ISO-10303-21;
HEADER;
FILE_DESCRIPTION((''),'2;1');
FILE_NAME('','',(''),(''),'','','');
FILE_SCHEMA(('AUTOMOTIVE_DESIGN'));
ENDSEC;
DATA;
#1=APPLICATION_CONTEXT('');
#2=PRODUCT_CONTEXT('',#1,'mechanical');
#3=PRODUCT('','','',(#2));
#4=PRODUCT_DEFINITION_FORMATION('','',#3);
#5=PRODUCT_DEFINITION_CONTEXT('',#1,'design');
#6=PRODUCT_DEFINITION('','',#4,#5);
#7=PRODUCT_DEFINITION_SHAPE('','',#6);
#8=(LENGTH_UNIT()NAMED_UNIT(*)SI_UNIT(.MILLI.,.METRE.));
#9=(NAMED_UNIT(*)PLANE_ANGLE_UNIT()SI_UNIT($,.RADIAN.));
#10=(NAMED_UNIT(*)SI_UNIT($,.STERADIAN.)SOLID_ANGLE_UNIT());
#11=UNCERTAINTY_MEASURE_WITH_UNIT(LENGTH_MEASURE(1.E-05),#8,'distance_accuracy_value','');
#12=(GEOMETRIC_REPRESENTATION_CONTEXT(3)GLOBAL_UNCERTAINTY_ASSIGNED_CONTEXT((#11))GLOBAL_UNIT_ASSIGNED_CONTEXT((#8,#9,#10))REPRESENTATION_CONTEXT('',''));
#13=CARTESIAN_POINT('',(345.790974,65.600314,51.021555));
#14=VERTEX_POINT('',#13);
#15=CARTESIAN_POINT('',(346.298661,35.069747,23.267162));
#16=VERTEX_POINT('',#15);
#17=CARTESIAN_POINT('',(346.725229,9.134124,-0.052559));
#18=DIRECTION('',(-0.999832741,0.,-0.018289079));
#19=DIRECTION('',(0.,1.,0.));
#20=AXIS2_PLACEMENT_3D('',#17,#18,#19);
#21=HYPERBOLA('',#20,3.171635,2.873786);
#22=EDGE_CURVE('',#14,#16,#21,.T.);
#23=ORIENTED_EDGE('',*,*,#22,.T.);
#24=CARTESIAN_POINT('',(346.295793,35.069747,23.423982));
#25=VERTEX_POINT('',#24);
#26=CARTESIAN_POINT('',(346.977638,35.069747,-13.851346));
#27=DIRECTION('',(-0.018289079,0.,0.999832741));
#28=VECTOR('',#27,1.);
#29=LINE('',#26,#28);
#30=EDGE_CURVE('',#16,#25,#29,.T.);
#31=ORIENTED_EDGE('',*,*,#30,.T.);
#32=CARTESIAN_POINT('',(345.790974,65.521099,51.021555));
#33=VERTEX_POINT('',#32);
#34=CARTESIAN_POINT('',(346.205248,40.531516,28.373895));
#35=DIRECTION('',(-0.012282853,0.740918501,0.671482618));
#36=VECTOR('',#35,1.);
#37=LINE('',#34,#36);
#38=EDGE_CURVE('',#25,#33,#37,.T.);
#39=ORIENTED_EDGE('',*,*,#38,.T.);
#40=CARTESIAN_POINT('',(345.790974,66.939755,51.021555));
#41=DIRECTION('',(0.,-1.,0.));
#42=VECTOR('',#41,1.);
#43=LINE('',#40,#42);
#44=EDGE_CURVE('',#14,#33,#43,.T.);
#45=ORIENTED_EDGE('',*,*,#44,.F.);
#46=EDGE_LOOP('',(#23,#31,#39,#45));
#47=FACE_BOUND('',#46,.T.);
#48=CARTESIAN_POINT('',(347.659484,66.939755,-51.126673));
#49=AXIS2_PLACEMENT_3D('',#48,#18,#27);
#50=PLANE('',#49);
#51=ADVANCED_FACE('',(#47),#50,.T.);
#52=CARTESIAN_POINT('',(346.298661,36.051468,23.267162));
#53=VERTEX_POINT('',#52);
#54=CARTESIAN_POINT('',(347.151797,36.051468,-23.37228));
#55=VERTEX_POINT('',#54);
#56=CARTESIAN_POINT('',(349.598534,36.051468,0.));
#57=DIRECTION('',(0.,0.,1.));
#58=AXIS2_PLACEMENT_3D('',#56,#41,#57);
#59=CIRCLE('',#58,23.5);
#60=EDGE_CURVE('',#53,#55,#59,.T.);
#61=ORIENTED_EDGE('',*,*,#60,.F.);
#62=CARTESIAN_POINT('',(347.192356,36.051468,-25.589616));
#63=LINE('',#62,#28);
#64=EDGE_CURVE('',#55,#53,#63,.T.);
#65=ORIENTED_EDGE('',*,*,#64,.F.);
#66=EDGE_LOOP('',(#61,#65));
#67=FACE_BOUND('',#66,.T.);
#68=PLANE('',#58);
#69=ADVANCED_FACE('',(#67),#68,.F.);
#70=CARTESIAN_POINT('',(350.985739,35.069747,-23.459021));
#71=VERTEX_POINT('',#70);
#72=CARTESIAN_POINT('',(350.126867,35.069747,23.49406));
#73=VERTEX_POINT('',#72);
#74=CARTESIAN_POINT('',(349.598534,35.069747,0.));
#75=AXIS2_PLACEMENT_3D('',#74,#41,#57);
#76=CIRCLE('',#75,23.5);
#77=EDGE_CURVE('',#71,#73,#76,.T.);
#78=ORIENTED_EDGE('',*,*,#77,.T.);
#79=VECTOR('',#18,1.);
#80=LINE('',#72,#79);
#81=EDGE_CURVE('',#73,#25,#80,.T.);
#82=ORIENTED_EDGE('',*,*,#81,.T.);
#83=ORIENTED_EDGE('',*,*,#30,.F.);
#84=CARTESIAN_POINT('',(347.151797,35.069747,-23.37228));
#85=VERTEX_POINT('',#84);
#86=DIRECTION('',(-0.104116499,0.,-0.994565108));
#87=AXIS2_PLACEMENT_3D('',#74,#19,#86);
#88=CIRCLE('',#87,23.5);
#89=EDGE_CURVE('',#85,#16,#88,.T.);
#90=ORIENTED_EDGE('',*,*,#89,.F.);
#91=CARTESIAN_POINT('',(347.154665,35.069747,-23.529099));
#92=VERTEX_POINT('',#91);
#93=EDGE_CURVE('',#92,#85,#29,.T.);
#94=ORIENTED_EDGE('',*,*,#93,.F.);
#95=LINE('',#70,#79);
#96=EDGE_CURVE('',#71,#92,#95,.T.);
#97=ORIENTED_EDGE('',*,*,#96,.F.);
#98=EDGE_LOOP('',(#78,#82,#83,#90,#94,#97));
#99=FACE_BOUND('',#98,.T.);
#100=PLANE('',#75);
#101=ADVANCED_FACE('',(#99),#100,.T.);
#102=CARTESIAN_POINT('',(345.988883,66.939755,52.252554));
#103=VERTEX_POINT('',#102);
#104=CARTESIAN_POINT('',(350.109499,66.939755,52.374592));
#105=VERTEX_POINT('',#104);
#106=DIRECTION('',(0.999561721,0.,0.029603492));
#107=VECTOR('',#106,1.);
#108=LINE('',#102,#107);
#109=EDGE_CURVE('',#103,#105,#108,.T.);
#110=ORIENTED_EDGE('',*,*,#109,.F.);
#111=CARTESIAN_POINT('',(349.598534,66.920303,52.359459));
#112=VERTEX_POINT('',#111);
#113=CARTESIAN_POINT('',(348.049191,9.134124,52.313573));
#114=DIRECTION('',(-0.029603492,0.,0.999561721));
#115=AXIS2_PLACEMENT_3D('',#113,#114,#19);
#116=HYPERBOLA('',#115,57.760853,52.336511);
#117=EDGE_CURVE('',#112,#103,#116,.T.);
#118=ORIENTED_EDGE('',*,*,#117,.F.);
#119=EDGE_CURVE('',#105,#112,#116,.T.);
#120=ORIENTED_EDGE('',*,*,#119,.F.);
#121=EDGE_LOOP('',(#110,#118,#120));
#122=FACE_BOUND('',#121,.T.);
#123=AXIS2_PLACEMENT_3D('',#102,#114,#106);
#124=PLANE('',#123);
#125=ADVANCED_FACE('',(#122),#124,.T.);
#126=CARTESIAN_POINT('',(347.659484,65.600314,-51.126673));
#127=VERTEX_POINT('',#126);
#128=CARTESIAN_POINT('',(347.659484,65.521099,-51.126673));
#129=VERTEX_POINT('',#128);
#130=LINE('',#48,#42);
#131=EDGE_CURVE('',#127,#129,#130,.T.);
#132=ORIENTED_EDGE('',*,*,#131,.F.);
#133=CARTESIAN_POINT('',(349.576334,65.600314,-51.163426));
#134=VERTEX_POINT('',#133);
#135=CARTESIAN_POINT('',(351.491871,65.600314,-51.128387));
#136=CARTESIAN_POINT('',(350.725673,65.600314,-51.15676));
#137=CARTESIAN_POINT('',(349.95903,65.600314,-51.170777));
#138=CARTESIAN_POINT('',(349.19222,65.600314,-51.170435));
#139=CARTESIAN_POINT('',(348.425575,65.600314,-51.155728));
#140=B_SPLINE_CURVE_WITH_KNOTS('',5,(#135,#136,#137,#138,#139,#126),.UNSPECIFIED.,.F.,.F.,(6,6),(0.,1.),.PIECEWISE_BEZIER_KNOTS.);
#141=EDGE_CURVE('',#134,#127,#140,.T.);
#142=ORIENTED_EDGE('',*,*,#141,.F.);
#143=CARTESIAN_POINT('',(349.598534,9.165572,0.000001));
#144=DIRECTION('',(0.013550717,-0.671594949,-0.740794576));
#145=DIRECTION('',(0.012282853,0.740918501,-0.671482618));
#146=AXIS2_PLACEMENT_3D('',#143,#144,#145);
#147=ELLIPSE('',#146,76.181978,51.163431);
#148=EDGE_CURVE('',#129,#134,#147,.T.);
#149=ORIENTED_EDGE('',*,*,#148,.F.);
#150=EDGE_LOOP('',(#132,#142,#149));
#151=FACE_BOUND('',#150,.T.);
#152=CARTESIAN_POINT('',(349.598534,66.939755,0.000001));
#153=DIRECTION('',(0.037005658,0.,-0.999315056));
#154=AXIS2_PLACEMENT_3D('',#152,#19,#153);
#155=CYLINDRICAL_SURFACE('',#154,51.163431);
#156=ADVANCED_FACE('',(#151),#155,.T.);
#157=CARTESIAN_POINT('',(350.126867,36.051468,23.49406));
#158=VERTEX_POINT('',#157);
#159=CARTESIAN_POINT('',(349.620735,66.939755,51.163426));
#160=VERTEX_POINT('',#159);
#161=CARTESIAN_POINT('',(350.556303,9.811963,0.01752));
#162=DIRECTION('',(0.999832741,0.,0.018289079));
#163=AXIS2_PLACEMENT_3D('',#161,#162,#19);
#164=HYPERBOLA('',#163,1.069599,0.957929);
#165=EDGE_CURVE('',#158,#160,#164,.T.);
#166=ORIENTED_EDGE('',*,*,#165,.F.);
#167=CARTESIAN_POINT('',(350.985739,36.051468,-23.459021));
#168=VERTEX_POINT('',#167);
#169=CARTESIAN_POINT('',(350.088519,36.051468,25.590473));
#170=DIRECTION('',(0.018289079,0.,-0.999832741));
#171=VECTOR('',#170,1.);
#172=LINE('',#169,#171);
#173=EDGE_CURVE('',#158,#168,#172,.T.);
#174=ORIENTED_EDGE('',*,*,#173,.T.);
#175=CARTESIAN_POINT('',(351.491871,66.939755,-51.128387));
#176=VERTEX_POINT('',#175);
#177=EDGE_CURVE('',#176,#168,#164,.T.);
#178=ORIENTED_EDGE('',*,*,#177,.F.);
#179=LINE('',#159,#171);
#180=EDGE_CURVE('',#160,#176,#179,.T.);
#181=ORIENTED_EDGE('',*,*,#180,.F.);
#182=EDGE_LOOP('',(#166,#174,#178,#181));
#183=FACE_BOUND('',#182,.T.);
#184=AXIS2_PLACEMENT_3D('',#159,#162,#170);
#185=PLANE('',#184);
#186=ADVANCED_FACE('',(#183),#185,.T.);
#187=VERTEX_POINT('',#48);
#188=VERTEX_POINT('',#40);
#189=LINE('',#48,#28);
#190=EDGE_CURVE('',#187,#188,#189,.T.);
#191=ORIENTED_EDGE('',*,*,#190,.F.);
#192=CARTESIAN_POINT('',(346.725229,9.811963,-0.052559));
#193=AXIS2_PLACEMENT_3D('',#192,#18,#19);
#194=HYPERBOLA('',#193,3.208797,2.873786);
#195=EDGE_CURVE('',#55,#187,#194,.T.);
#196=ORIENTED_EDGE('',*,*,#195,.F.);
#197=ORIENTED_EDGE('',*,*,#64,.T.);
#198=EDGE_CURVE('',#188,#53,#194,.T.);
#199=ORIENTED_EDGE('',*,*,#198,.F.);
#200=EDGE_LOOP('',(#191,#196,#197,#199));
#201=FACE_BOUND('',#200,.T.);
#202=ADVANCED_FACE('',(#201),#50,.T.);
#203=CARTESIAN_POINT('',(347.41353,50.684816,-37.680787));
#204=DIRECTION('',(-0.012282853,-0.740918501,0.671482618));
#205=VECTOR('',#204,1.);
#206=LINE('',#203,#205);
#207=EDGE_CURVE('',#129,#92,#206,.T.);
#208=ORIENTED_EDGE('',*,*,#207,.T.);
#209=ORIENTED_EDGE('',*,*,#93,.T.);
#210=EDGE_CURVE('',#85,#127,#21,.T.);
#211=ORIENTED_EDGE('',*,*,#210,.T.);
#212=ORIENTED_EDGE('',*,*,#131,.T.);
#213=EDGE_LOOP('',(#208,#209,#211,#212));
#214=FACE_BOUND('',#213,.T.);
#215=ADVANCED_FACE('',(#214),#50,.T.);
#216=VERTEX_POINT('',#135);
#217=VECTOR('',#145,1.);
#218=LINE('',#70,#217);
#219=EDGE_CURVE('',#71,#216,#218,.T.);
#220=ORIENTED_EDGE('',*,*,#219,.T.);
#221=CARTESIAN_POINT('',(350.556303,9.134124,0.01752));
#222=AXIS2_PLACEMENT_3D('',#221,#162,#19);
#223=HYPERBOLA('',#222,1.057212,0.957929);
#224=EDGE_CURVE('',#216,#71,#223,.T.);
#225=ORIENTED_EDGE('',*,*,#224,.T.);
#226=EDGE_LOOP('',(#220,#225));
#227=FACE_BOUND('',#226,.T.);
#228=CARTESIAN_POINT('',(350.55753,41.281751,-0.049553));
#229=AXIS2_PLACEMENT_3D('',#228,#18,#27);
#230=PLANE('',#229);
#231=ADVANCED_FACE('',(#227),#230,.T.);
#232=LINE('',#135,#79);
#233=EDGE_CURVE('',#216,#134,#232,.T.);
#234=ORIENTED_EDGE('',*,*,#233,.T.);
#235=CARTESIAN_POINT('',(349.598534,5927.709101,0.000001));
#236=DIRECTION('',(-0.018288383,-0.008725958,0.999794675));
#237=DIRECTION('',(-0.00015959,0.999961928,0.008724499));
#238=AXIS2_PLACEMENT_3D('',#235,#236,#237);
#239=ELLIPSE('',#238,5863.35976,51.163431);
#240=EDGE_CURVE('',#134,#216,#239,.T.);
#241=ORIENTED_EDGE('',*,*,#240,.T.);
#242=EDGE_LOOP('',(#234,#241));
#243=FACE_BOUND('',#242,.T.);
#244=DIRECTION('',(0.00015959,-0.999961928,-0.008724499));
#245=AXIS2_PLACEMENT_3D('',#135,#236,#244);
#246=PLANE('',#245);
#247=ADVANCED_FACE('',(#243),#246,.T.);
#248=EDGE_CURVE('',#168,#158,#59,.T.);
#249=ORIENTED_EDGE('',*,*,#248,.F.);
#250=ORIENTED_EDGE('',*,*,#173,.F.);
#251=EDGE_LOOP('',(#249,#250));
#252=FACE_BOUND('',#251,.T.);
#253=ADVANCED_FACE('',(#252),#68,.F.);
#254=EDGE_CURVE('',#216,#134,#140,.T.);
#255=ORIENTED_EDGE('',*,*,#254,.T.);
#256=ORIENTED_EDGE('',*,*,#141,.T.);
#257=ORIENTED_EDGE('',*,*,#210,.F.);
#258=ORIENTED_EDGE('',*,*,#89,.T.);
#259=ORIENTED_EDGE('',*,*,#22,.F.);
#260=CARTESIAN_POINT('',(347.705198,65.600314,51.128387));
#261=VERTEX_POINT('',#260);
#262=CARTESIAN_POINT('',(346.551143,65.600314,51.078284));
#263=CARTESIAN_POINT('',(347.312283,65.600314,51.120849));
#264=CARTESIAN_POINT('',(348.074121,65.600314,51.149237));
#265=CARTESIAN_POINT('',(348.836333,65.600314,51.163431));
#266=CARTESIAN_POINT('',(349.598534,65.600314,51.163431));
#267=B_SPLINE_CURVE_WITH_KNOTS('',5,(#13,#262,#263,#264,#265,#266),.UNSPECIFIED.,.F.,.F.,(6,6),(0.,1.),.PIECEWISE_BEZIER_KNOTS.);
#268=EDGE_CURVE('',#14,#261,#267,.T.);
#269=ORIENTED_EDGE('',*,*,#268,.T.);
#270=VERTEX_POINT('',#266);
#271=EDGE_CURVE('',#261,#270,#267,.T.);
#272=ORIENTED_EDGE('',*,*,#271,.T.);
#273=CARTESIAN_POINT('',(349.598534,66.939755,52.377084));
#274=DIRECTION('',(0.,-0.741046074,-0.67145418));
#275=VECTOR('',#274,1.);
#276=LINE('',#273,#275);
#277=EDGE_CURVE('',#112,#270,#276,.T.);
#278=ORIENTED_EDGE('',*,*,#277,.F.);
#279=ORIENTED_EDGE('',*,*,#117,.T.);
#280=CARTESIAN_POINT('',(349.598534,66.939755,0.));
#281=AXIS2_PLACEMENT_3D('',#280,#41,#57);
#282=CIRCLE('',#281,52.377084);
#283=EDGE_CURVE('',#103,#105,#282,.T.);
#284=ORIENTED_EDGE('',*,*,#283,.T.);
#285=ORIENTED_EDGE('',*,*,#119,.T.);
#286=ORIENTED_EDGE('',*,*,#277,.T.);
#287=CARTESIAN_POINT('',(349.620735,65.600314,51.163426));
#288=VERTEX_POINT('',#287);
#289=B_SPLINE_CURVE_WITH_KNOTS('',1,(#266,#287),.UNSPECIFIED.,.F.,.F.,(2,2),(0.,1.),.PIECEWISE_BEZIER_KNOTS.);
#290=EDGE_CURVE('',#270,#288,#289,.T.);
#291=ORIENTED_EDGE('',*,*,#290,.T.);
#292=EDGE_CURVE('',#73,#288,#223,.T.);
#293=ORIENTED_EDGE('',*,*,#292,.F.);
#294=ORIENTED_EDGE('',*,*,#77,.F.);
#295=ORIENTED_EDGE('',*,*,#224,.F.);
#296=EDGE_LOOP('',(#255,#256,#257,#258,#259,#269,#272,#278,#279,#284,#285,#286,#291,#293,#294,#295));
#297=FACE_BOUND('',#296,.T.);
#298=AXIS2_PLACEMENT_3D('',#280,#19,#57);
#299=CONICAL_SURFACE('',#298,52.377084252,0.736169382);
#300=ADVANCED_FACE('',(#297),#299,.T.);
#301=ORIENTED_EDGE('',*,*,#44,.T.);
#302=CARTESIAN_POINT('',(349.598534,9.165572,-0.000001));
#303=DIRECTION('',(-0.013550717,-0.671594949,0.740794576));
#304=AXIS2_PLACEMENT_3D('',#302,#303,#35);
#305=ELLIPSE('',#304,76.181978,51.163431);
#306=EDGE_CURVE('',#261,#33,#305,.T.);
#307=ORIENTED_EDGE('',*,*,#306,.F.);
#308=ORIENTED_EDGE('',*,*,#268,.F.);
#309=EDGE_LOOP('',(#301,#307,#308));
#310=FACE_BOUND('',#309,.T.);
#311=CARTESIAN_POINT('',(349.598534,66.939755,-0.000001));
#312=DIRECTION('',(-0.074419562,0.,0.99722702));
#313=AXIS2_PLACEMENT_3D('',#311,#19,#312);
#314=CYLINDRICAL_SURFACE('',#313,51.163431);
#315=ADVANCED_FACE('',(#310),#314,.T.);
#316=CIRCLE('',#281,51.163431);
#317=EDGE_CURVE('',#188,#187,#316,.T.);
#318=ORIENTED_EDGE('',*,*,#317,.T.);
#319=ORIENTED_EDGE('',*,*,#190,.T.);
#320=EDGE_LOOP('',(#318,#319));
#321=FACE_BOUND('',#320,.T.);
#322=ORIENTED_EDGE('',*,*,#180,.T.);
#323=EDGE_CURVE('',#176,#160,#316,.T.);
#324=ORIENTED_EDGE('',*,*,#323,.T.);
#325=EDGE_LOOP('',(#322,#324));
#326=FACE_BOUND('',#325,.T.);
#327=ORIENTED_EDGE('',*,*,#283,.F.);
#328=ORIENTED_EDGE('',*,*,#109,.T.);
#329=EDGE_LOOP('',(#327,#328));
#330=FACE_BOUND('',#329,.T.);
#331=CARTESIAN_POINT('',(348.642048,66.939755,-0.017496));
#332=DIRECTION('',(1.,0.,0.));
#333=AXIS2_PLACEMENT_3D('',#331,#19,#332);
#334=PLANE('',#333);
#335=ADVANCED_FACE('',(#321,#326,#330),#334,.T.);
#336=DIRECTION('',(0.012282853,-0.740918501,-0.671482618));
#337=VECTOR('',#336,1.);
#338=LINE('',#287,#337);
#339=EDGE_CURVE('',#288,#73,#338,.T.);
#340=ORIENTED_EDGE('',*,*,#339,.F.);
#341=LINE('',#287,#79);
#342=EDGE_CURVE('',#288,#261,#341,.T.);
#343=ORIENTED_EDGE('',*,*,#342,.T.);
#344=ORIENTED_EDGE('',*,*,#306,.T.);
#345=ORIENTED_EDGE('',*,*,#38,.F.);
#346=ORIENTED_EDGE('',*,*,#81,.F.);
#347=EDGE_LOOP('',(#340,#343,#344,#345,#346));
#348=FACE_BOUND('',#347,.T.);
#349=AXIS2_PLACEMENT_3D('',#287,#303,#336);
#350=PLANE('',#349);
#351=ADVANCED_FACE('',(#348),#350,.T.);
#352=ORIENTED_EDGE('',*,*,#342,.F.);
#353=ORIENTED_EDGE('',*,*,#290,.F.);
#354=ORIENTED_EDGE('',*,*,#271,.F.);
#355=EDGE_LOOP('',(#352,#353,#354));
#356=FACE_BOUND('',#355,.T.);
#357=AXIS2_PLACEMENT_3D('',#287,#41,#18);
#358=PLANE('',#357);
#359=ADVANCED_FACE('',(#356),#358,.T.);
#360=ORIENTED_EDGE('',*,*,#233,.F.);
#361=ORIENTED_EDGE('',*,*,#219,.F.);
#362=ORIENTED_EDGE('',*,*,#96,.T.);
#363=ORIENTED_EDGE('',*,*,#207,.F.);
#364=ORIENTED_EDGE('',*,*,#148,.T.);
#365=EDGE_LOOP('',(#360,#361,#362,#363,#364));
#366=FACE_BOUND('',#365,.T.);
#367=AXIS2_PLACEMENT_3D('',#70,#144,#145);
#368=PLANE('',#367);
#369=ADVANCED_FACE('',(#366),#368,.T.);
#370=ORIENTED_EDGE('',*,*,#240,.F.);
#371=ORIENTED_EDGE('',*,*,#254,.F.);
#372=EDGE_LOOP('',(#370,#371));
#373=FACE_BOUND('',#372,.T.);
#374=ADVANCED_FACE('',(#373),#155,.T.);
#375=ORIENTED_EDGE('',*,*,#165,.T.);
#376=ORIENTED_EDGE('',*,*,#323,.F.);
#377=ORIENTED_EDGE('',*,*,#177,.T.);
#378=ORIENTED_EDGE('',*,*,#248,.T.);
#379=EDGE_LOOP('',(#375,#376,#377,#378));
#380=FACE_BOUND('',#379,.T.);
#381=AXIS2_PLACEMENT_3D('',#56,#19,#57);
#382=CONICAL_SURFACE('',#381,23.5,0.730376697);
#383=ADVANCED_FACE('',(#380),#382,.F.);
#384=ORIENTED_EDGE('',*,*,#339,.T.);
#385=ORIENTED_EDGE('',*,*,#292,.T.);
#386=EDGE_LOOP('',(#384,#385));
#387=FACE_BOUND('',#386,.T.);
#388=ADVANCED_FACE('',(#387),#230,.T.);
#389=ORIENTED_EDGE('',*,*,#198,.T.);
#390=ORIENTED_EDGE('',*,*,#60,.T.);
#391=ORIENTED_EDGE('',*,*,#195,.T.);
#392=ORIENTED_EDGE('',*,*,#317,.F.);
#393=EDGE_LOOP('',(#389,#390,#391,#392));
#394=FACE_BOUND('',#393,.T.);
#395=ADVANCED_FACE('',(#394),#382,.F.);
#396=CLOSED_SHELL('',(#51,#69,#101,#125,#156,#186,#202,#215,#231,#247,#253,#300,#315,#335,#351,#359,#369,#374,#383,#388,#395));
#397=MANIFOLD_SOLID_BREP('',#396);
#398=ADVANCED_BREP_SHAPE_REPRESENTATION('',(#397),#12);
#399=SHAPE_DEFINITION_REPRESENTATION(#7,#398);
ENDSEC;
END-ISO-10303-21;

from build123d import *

# Parameters (mm, degrees)
BOSS_EXTRUDE1_DEPTH = 35
CUT_EXTRUDE2_DEPTH  = 10
CUT_EXTRUDE3_DEPTH  = 35
SKETCH7_W           = 1.915857316
SKETCH7_H           = 33.660559038
CUT_EXTRUDE4_DEPTH  = 0.1


with BuildPart() as part:
    # Sketch1 → Revolve1 (revolve)
    with BuildSketch(Plane.XY, mode=Mode.PRIVATE) as revolve1_sk:
        Polygon((373.098534333, 35.069747422), (349.598534333, 35.069747422), (349.598534333, 36.051468212), (373.098534333, 36.051468212), (400.761964989, 66.939755158), (401.975618585, 66.939755158), align=None)
    revolve(revolve1_sk.sketch.rotate(Axis((349.598534333, 66.939755158, 0), (0, -1, 0)), 90), axis=Axis((349.598534333, 66.939755158, 0), (0, -1, 0)))

    # Sketch2 → Boss-Extrude1 (add)
    with BuildSketch(Plane(origin=(0, 66.939755158, 0), x_dir=(1, 0, 0), z_dir=(0, 1, 0))):
        with BuildLine():
            ThreePointArc((351.491870795, 51.128386573), (349.575661264, 51.163425543), (347.659483828, 51.12667327))
            Line((347.659483828, 51.12667327), (345.790974227, -51.02155547))
            ThreePointArc((345.790974227, -51.02155547), (347.704525671, -51.128361676), (349.620734741, -51.16342584))
            Line((349.620734741, -51.16342584), (351.491870795, 51.128386573))
        make_face()
    extrude(amount=-BOSS_EXTRUDE1_DEPTH)

    # Sketch3 → Cut-Extrude2 (cut)
    with BuildSketch(Plane(origin=(350.439365404, 0, 6.410285591), x_dir=(0.018289079495206917, 0, -0.9998327407977887), z_dir=(0.9998327407977886, 0, 0.018289079495206913))):
        Polygon((-44.760626875, 65.600314196), (-17.086632512, 35.069747422), (29.874303283, 35.069747422), (57.548297647, 65.600314196), (57.842029456, 31.939755158), (-44.760626875, 31.939755158), align=None)
    extrude(amount=-CUT_EXTRUDE2_DEPTH, mode=Mode.SUBTRACT)

    # Sketch6 → Cut-Extrude3 (cut)
    with BuildSketch(Plane(origin=(0, 66.939755158, 0), x_dir=(1, 0, 0), z_dir=(0, 1, 0))):
        Polygon((350.109498728, -52.374591838), (349.598534333, -52.377084252), (349.598534333, -53.887685529), (342.379231724, -53.887685529), (345.988883028, -52.252553739), align=None)
    extrude(amount=-CUT_EXTRUDE3_DEPTH, mode=Mode.SUBTRACT)


with BuildPart() as cut_extrude3_kept_piece:
    # of the separate pieces the step leaves, the one the design keeps (cut_extrude3_pieces_kept)
    add(part.part.solids().sort_by_distance((350.985738912, 35.069747422, -23.45902094))[0])

    # Sketch7 → Cut-Extrude4 (cut)
    with BuildSketch(Plane(origin=(-0.818630663, 0, 44.753140248), x_dir=(-0.9998327407977887, 0, -0.01828907949520692), z_dir=(0.018289079495206917, 0, -0.9998327407977886))):
        with Locations((-349.540060761, 48.770034677)):
            Rectangle(SKETCH7_W, SKETCH7_H)
    extrude(amount=-CUT_EXTRUDE4_DEPTH, mode=Mode.SUBTRACT)


solid = cut_extrude3_kept_piece.part
